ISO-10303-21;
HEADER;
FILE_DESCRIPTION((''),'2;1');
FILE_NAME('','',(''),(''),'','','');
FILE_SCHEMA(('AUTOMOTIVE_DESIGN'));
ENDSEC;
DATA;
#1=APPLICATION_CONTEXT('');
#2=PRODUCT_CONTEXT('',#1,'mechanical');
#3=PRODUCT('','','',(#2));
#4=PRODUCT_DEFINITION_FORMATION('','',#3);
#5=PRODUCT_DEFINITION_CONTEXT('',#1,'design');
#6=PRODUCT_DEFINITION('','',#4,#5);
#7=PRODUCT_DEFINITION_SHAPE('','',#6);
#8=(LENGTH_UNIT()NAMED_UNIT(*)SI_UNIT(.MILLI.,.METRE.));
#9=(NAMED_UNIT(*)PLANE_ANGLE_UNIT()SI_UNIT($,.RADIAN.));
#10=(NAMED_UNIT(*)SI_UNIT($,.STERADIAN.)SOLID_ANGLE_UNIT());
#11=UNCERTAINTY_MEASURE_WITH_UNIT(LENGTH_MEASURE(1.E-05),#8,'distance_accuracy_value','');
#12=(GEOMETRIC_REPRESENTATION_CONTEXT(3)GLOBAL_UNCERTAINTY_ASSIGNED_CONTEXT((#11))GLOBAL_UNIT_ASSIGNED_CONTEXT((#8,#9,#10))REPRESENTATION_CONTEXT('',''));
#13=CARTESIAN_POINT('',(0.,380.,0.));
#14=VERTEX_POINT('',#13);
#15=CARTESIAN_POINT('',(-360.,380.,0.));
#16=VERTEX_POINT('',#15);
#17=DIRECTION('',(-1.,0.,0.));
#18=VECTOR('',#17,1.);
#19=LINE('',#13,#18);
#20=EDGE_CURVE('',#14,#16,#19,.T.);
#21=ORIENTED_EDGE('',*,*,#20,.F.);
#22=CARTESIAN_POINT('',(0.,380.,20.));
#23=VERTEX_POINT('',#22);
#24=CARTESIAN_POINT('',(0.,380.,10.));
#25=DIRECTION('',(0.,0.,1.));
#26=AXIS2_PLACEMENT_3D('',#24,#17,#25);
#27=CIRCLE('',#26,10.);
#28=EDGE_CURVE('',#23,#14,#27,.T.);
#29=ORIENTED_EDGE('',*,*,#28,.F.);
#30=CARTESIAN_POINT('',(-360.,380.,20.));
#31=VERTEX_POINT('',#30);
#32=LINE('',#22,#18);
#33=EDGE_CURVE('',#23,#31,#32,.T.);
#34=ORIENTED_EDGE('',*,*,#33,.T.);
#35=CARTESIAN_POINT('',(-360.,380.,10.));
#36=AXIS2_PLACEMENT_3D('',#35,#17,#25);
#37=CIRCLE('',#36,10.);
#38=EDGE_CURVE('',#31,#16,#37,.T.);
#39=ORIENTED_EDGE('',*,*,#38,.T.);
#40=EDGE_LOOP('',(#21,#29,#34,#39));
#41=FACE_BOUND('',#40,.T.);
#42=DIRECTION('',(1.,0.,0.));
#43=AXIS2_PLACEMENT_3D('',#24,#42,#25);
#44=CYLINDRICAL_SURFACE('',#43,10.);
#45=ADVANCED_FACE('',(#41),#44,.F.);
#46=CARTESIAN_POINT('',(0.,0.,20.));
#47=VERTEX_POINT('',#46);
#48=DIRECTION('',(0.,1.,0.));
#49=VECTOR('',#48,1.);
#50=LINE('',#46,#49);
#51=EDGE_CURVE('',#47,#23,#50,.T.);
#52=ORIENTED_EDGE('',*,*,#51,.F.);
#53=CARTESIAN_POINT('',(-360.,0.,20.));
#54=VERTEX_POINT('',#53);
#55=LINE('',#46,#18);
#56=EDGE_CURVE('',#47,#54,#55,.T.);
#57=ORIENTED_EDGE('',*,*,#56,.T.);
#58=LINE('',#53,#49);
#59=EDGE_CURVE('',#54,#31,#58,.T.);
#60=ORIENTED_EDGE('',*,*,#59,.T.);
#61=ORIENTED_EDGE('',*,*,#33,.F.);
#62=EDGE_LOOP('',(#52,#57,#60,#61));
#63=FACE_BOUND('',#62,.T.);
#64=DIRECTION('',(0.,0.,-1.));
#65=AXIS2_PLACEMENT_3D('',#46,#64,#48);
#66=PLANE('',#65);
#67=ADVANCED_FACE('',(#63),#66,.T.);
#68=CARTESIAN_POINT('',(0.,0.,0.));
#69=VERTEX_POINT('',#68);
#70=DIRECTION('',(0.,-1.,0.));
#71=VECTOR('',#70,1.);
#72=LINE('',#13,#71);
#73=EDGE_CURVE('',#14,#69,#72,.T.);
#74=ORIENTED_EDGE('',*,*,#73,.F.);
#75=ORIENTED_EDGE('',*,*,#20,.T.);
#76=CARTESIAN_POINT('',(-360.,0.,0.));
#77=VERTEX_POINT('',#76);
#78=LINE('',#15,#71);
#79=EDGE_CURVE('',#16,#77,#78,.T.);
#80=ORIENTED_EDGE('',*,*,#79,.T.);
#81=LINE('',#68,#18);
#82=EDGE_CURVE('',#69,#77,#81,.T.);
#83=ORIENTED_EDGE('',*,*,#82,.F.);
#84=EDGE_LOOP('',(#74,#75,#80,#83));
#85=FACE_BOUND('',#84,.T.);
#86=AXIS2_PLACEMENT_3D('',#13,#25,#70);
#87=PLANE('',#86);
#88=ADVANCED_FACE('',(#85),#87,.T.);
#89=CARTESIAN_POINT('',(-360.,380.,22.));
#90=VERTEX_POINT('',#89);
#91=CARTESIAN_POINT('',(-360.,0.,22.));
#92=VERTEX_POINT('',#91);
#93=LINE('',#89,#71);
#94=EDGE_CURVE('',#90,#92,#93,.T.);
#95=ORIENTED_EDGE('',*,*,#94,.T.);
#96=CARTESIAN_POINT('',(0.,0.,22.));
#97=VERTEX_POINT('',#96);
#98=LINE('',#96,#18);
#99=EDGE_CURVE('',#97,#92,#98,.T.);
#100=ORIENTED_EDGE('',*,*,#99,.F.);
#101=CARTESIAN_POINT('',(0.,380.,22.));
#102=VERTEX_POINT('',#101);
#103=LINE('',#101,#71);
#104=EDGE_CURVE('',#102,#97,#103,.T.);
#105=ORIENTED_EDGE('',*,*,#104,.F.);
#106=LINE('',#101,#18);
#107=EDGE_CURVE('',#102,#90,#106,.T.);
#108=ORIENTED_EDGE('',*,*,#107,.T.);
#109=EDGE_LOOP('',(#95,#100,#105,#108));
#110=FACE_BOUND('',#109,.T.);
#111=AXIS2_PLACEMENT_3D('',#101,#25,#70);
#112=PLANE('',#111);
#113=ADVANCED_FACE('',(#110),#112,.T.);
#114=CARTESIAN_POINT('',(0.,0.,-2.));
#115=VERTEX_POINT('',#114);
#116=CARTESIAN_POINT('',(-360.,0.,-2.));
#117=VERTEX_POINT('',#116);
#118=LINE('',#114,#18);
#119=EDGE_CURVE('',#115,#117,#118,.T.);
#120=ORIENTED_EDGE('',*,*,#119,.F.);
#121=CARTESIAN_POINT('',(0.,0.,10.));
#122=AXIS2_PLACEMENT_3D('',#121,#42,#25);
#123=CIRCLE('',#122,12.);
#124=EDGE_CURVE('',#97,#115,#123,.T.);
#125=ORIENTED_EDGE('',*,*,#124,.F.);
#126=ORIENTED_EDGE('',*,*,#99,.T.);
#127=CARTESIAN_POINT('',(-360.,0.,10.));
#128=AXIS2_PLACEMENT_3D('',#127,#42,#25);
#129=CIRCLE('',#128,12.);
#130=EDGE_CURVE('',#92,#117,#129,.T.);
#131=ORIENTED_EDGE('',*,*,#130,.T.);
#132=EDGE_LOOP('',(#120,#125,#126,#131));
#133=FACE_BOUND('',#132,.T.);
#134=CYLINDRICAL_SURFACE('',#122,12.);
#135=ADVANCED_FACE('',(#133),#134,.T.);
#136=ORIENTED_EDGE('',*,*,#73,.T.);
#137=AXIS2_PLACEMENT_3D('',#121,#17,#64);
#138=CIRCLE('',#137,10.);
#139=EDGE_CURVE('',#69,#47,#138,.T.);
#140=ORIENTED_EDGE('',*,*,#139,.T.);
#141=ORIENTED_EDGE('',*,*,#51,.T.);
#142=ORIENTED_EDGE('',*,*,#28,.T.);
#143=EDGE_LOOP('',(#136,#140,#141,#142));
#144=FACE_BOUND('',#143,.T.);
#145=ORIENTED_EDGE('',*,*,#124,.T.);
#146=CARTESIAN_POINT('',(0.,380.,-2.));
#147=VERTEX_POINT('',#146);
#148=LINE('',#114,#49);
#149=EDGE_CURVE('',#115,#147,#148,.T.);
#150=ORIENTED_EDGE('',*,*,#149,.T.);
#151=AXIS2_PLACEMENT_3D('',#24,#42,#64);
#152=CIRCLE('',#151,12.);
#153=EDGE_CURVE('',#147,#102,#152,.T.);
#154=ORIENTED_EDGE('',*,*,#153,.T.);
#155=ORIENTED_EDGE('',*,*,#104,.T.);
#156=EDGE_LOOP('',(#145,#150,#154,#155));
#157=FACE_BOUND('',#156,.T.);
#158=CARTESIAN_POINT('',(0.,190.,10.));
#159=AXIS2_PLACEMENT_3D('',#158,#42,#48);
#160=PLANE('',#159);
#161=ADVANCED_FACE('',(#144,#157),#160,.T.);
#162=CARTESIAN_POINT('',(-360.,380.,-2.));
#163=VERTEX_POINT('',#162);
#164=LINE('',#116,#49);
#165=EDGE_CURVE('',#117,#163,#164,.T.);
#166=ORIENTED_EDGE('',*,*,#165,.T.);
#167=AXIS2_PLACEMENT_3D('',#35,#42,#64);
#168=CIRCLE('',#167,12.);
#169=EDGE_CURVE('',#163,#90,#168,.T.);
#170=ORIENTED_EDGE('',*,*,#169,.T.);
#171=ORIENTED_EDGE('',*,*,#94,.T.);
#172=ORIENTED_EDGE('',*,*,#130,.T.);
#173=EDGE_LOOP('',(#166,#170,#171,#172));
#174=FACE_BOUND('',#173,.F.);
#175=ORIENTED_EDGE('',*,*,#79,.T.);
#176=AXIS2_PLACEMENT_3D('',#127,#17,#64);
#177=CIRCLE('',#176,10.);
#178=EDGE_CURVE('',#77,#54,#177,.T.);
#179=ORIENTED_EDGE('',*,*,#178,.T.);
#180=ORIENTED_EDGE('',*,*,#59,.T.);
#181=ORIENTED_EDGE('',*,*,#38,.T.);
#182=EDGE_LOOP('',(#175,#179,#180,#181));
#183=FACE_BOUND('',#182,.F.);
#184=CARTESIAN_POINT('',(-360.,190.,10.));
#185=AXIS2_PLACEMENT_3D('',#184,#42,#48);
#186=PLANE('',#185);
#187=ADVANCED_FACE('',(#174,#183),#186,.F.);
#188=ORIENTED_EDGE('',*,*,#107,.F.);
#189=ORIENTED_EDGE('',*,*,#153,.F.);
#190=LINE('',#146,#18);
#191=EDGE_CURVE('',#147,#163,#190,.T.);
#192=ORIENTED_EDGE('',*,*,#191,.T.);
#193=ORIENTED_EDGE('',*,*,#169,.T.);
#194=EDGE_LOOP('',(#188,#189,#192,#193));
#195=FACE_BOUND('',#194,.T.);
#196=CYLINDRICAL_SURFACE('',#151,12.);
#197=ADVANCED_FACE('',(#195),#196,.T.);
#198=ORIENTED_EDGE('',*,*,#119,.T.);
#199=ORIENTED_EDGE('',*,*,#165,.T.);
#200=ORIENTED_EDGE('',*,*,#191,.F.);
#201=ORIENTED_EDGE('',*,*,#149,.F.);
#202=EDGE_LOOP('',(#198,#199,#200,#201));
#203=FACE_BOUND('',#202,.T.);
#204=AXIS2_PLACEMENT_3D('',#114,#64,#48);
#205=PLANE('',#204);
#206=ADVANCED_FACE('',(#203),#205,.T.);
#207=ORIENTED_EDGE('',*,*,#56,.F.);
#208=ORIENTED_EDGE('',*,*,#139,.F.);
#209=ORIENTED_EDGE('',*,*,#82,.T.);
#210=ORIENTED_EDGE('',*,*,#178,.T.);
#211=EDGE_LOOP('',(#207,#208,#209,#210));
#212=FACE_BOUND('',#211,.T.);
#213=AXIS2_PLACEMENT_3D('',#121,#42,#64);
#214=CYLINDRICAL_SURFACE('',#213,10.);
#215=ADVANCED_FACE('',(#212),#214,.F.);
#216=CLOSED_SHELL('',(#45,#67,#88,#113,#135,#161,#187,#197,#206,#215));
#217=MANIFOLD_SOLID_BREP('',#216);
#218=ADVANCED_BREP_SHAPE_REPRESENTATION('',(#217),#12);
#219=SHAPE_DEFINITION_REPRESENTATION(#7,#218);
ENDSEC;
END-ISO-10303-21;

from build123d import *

# Parameters (mm, degrees)
F1_DEPTH = 360


with BuildPart() as f1:
    # F0 (on Right) → F1 (new body)
    with BuildSketch(Plane.YZ):
        with BuildLine():
            Line((380, 22), (0, 22))
            ThreePointArc((0, 22), (-12, 10), (0, -2))
            Line((0, -2), (380, -2))
            ThreePointArc((380, -2), (392, 10), (380, 22))
        make_face()
        with BuildLine():
            Line((380, 0), (0, 0))
            ThreePointArc((0, 0), (-10, 10), (0, 20))
            Line((0, 20), (380, 20))
            ThreePointArc((380, 20), (390, 10), (380, 0))
        make_face(mode=Mode.SUBTRACT)
    extrude(amount=-F1_DEPTH)


solid = f1.part
